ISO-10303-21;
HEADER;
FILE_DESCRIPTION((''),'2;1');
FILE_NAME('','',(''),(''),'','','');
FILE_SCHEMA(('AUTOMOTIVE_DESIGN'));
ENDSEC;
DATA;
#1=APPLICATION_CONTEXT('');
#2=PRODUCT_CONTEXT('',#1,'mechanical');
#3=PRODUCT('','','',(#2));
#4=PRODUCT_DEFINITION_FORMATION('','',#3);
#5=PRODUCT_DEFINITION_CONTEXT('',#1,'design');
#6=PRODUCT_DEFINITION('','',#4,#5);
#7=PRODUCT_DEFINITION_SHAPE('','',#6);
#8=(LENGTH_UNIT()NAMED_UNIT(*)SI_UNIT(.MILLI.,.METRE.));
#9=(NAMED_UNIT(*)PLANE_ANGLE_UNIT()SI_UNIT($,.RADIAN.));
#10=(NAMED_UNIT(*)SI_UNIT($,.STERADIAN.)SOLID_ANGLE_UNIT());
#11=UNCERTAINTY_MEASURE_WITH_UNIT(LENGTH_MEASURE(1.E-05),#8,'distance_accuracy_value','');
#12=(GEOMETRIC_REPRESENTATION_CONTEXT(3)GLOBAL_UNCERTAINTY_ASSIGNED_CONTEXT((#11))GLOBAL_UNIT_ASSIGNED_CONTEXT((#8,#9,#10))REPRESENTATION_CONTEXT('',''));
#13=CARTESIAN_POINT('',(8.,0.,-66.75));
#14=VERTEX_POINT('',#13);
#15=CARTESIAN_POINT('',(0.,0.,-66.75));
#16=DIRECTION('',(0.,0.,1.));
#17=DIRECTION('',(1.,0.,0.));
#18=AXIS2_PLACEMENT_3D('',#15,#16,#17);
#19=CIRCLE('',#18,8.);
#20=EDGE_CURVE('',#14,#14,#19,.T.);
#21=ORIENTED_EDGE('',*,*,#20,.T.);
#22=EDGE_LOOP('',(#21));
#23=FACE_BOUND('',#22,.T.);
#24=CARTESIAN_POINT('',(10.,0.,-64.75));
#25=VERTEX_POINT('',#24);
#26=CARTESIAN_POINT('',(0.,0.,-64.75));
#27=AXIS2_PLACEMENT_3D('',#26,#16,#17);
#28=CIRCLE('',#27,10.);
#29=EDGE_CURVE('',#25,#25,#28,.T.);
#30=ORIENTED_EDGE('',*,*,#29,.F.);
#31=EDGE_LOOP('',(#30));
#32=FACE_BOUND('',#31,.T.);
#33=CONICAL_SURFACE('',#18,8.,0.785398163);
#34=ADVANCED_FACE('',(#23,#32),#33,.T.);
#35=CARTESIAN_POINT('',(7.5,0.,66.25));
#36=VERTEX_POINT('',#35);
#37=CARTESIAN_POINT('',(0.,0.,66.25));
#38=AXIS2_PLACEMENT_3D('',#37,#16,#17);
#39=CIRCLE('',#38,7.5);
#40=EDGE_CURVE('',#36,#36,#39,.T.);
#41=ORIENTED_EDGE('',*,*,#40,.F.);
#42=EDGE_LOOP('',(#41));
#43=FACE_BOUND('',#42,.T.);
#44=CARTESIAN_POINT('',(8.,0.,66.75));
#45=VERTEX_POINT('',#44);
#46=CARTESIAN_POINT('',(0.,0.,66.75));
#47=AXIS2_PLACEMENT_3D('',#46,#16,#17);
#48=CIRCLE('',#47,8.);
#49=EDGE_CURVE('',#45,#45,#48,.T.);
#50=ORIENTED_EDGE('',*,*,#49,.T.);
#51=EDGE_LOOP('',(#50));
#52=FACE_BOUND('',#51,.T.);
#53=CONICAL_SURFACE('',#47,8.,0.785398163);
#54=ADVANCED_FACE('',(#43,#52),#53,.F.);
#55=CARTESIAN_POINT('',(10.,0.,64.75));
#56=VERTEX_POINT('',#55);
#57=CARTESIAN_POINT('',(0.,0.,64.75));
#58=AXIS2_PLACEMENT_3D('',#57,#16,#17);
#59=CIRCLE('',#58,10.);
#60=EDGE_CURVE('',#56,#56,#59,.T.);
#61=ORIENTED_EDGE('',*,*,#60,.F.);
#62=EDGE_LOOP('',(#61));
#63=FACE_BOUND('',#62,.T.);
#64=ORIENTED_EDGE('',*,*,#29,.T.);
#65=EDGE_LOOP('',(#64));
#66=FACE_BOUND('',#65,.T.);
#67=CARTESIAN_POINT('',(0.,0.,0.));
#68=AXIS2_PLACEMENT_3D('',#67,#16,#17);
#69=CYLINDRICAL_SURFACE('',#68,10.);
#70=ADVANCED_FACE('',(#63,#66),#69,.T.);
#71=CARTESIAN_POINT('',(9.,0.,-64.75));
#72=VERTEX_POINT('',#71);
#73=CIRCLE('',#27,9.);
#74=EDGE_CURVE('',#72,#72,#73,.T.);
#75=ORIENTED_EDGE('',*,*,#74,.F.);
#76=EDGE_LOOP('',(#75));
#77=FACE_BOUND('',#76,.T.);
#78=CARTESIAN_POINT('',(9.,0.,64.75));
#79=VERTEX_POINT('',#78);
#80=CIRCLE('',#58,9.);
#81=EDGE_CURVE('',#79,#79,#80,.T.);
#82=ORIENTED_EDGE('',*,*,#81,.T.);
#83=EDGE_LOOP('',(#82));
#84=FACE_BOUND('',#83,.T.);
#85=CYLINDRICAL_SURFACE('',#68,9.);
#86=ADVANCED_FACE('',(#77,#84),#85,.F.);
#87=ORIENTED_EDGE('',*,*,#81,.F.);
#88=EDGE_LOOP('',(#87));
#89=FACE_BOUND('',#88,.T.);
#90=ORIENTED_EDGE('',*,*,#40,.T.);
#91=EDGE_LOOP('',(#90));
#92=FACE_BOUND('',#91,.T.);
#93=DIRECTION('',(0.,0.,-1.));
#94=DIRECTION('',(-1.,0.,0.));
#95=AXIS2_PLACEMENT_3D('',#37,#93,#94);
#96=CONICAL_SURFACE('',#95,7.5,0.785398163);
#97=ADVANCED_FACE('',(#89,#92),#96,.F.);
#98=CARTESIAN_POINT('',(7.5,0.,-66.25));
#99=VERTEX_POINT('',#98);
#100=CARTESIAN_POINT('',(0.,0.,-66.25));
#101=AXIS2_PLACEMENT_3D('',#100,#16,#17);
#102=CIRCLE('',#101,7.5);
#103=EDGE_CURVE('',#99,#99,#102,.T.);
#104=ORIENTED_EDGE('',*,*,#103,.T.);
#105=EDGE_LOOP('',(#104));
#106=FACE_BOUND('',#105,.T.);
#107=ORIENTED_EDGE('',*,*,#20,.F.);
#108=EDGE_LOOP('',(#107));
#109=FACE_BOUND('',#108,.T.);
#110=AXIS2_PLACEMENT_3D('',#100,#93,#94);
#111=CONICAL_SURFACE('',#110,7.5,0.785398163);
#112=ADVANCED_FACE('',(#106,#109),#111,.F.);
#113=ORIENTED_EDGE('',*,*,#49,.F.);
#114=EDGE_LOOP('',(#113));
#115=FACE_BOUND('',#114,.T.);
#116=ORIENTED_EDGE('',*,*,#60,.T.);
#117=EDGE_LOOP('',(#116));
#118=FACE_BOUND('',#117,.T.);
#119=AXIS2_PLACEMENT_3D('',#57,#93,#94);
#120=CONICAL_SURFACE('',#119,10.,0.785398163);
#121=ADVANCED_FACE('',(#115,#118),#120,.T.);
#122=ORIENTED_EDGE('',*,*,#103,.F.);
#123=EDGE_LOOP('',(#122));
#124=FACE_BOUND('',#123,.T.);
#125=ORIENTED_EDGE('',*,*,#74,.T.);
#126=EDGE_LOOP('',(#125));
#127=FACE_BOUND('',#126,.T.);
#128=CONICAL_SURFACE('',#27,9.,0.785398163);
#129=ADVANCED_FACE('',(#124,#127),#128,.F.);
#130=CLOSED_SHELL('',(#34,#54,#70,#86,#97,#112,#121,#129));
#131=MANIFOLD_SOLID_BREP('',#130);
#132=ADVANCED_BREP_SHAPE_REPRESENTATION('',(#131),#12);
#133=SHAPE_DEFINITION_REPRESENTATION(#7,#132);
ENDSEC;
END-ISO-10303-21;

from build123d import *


with BuildPart() as part:
    # Croquis4 → Revolución1 (revolve)
    with BuildSketch(Plane(origin=(0, 0, 0), x_dir=(0, 0, -1), z_dir=(1, 0, 0)), mode=Mode.PRIVATE) as revoluci_n1_sk:
        Polygon((-64.75, 10), (64.75, 10), (66.75, 8), (66.25, 7.5), (64.75, 9), (-64.75, 9), (-66.25, 7.5), (-66.75, 8), align=None)
    revolve(revoluci_n1_sk.sketch.rotate(Axis((0, 0, 0), (0, 0, -1)), 90), axis=Axis((0, 0, 0), (0, 0, -1)))


solid = part.part
